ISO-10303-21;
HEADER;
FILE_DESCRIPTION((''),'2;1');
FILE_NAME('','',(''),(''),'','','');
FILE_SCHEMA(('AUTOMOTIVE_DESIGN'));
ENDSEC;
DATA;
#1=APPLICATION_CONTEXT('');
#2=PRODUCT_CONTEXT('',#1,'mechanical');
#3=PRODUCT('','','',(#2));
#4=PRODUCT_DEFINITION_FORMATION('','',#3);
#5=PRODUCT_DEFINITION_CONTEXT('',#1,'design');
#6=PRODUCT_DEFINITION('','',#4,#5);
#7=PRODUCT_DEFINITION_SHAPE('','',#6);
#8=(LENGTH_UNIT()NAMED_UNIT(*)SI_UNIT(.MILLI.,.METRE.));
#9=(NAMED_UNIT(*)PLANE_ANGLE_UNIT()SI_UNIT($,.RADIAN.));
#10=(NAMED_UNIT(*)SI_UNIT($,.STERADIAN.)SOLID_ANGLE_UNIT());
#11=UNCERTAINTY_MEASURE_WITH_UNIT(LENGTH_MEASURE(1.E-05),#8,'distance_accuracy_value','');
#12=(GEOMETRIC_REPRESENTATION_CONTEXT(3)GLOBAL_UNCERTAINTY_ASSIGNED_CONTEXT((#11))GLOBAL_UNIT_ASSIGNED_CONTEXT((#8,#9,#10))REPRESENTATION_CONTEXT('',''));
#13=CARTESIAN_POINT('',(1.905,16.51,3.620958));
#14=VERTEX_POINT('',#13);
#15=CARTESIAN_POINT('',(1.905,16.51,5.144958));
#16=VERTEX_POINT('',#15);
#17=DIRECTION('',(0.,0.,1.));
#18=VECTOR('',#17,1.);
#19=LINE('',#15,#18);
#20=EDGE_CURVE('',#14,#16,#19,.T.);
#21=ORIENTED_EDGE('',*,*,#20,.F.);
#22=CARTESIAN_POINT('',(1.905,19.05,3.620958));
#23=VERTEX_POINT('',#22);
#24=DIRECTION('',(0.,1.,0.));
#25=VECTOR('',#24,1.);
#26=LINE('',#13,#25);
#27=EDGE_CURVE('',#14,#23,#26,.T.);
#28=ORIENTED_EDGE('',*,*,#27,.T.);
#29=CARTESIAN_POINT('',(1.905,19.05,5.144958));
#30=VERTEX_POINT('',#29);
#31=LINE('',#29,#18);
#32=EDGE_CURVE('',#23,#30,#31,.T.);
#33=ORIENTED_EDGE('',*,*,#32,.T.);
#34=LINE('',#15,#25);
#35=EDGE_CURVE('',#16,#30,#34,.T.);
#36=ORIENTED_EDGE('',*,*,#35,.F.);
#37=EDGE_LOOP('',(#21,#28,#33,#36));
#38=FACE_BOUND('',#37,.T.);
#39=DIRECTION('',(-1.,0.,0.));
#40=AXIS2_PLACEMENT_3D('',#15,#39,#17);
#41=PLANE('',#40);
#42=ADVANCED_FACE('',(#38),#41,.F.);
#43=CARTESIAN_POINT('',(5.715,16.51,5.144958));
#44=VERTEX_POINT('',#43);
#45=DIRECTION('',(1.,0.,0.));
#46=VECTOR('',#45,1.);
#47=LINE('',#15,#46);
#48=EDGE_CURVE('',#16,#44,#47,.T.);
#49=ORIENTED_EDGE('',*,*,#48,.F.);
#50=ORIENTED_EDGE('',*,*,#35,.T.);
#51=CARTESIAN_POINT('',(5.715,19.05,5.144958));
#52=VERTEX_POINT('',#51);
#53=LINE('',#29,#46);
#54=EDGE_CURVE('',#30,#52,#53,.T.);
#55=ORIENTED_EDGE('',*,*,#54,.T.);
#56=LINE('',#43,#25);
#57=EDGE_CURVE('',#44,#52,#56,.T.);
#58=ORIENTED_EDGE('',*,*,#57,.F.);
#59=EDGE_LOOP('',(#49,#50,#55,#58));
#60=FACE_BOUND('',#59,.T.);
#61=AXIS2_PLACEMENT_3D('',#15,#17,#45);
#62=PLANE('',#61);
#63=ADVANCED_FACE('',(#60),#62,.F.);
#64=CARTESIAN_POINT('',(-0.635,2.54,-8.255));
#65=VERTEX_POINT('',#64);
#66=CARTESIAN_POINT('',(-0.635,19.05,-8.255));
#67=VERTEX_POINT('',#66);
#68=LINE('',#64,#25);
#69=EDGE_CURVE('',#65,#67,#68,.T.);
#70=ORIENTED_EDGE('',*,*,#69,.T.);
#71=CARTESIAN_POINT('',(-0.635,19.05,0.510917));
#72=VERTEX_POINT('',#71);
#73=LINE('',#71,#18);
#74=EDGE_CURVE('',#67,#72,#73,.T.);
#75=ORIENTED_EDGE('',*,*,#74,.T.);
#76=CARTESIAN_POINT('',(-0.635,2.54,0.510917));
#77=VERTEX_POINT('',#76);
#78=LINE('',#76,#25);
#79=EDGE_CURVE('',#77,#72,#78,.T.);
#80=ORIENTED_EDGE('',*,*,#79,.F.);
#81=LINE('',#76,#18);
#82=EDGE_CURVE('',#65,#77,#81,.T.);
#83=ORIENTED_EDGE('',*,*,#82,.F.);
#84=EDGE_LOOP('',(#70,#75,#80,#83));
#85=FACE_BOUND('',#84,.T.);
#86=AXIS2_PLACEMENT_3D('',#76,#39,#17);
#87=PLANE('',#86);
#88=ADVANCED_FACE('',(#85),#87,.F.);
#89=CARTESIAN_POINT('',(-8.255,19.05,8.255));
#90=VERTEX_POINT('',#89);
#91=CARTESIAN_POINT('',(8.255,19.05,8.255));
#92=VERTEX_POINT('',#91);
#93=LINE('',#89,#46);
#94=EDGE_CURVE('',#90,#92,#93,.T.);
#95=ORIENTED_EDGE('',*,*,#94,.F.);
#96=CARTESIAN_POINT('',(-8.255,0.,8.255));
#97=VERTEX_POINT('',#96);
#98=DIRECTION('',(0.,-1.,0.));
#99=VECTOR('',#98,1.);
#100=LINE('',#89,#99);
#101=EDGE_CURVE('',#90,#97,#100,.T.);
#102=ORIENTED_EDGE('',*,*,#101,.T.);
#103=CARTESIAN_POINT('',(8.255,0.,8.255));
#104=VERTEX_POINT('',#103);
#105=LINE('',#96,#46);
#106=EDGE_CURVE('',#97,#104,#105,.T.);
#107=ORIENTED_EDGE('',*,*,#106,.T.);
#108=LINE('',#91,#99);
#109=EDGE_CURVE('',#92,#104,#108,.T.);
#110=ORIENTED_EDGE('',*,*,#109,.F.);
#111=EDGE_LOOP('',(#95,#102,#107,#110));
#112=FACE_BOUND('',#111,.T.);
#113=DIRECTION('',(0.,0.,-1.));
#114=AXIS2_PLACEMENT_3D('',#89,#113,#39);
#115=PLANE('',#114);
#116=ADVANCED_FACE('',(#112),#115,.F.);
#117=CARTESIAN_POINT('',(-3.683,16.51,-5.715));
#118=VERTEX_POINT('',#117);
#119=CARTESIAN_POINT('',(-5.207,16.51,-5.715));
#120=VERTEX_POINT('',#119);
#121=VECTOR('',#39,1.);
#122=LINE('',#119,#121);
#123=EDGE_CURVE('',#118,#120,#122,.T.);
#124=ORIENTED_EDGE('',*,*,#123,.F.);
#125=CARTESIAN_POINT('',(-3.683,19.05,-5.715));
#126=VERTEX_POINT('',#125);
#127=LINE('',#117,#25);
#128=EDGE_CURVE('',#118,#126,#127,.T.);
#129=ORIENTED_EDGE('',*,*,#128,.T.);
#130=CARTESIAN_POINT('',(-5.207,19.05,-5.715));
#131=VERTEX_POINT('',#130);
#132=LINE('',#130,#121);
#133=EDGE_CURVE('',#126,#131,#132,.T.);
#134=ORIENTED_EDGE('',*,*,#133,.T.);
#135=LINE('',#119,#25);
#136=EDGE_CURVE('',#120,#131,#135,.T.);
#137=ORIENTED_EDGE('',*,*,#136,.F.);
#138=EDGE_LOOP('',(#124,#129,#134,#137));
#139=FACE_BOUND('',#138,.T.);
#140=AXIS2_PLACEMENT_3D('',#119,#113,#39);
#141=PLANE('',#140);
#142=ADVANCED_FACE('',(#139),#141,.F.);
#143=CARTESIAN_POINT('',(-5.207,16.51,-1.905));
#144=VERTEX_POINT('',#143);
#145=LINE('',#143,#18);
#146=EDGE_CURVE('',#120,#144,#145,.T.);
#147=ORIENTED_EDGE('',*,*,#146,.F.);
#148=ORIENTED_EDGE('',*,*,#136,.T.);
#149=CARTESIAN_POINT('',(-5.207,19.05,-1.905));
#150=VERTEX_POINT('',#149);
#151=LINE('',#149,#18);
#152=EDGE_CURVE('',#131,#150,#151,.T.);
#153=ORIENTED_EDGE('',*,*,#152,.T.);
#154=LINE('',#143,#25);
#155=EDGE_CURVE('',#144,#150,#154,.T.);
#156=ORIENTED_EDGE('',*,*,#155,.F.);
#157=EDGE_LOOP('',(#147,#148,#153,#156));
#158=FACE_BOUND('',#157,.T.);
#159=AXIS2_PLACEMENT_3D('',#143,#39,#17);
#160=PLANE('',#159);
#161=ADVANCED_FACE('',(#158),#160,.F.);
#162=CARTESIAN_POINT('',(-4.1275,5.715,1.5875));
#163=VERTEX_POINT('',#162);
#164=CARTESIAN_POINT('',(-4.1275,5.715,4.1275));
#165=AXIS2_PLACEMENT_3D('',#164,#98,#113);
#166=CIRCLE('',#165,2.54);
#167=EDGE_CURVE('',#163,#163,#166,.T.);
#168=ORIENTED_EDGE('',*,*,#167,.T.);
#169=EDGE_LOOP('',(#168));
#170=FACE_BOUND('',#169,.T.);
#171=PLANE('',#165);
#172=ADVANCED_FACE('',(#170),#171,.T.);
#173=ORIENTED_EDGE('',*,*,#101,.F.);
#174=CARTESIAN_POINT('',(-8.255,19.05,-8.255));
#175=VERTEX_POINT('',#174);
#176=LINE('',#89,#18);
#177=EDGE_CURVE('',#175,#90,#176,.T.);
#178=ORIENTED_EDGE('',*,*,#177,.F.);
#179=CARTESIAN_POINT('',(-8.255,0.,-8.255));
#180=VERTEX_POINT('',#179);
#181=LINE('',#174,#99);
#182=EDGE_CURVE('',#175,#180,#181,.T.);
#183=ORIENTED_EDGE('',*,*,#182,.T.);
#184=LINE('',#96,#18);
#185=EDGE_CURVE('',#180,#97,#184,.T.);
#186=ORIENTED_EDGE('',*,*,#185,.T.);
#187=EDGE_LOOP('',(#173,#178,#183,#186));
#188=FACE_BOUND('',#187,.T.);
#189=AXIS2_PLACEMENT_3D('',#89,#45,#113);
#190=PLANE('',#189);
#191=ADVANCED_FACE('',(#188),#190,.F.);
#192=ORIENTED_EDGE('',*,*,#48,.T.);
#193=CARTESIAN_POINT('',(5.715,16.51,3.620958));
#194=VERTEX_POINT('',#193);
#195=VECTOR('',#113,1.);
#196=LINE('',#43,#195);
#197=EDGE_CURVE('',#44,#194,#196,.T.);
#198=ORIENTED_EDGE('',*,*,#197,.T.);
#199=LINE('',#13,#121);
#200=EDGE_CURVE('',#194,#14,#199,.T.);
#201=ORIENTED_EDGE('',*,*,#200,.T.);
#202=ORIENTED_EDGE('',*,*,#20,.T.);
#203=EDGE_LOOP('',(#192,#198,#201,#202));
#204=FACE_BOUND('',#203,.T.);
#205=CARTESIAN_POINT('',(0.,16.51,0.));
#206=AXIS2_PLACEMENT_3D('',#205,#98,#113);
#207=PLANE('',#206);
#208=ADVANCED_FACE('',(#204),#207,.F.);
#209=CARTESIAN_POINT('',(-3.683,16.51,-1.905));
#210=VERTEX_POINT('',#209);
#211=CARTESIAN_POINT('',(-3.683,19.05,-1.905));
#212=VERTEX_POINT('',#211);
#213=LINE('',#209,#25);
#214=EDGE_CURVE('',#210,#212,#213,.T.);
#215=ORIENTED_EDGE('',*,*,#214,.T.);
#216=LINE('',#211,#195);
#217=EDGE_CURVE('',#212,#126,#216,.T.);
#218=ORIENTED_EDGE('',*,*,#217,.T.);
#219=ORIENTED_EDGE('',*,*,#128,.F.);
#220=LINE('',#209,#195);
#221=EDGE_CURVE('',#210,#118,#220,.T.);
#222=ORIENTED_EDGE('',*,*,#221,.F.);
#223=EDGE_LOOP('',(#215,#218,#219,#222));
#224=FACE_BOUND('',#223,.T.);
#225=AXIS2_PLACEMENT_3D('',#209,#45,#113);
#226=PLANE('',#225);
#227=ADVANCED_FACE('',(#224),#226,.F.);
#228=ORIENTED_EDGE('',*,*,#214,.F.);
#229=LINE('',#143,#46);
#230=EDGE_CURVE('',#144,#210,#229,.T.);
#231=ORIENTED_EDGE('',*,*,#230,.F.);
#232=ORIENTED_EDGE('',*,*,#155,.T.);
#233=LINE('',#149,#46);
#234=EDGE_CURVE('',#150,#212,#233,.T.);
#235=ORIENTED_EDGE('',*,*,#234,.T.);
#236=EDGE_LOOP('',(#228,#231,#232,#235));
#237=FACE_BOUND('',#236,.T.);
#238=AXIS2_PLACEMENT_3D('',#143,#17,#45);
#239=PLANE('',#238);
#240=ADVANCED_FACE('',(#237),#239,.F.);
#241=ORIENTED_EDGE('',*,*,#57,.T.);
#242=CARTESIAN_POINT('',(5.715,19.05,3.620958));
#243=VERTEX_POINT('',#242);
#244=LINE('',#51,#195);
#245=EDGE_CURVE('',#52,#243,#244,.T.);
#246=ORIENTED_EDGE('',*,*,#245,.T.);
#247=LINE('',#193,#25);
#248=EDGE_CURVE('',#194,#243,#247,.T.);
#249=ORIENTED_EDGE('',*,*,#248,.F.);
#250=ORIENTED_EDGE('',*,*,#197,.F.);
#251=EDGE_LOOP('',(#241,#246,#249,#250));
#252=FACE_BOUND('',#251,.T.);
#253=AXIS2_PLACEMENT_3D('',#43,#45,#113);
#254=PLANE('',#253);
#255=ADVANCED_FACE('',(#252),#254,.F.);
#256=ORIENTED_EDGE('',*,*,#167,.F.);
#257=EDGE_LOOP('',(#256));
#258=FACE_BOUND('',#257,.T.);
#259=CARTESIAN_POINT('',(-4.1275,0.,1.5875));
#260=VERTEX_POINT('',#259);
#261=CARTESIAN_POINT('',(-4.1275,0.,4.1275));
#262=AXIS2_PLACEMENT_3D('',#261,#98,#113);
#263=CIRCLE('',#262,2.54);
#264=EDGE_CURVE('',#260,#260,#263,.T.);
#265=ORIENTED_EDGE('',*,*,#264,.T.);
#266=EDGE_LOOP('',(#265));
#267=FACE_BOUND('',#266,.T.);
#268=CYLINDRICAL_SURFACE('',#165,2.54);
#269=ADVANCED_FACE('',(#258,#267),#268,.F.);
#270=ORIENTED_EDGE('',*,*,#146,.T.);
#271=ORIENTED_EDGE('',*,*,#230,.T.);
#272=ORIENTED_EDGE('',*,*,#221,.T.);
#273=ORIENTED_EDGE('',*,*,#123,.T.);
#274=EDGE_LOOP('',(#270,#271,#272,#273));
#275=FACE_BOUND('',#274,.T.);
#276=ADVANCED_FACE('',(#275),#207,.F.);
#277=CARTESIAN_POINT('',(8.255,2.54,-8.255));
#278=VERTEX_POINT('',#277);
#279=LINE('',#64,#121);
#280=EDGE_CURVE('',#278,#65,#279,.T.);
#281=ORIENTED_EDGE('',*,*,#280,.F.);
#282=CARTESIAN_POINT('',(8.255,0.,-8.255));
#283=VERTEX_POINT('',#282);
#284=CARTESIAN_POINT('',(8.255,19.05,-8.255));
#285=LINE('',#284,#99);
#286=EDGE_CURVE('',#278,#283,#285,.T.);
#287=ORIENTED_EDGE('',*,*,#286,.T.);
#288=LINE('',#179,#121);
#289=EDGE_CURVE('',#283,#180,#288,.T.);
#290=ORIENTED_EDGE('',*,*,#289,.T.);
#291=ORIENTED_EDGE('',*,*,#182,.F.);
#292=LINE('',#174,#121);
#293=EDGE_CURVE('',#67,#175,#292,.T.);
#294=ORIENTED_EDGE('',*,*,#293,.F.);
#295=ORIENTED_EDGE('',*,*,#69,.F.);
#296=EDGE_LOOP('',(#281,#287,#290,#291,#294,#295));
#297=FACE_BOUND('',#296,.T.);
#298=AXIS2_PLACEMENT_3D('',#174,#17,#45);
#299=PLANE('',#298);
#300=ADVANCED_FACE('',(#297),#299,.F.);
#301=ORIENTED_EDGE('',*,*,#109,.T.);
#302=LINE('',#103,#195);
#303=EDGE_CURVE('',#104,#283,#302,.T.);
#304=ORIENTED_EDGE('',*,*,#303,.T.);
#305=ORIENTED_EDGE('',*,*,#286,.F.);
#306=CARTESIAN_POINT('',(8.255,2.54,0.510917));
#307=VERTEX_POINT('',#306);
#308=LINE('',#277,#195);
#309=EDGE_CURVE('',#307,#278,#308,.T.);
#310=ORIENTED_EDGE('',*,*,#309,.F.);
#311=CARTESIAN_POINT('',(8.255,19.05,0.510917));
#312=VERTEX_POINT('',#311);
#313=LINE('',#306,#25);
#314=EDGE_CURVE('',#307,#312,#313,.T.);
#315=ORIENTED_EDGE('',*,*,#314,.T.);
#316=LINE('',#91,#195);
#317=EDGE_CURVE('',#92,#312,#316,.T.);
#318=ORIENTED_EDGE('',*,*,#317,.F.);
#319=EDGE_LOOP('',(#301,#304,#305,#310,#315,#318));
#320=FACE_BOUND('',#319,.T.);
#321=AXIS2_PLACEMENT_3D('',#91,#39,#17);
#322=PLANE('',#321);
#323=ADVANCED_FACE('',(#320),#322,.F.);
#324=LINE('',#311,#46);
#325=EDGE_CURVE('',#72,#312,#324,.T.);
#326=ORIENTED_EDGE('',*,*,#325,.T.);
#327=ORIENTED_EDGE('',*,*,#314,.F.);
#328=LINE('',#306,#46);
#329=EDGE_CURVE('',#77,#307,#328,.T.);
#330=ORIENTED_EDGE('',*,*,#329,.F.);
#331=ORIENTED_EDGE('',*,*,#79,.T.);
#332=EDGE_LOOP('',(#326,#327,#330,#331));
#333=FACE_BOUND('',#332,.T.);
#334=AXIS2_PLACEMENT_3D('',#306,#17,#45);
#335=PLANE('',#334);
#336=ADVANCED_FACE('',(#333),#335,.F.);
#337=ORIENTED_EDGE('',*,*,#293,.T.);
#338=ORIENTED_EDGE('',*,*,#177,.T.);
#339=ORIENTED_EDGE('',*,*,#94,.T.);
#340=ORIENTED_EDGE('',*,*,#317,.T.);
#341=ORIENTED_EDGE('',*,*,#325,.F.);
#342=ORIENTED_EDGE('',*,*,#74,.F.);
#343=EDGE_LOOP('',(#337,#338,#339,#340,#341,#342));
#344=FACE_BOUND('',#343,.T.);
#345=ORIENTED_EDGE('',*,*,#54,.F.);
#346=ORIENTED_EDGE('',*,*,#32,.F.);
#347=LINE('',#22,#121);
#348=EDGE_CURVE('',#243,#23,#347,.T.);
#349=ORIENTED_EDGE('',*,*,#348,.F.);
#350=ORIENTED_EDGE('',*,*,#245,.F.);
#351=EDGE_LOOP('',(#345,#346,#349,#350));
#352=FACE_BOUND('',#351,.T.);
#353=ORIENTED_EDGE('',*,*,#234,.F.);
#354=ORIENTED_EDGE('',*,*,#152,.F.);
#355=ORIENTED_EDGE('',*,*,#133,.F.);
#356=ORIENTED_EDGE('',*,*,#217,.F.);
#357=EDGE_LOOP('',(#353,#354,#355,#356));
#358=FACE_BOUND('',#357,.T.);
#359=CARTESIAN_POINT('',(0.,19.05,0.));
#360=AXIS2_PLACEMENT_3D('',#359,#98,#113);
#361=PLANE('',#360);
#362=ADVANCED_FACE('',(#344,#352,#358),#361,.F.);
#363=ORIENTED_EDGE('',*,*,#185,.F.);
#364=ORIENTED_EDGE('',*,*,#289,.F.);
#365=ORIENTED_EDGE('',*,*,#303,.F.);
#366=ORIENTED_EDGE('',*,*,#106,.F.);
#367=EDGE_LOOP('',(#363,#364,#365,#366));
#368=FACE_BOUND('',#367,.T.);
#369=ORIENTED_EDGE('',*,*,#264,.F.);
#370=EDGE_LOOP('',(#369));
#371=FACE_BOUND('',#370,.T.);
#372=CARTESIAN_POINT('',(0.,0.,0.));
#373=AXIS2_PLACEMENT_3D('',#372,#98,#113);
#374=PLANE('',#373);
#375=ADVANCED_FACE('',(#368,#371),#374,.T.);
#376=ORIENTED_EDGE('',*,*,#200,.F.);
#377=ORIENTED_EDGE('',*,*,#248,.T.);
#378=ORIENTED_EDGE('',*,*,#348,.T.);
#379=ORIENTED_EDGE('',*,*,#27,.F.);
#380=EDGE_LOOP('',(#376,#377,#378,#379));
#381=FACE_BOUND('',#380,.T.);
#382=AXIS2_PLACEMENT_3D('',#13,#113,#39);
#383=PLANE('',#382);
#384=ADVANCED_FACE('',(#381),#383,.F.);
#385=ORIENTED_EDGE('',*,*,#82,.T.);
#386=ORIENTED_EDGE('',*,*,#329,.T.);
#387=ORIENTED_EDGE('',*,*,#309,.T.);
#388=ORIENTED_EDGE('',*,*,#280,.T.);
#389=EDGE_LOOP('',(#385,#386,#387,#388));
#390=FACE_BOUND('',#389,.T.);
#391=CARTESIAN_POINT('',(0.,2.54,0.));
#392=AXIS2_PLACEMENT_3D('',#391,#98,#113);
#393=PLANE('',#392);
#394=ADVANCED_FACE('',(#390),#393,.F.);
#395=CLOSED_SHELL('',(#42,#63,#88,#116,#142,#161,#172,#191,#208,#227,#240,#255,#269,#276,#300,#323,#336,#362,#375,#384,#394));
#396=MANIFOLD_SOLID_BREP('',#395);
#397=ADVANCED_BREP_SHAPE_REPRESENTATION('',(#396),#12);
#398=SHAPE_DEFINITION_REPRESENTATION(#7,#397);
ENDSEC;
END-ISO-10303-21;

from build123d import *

# Parameters (mm, degrees)
SKETCH3_W           = 16.51
SKETCH3_H           = 16.51
BOSS_EXTRUDE2_DEPTH = 19.05
SKETCH5_R           = 2.54
CUT_EXTRUDE2_DEPTH  = 5.715
SKETCH6_W           = 8.89
SKETCH6_H           = 8.765916865
CUT_EXTRUDE3_DEPTH  = 16.51
SKETCH7_W           = 1.524
SKETCH7_H           = 3.81
SKETCH7_W_2         = 3.81
SKETCH7_H_2         = 1.524
CUT_EXTRUDE4_DEPTH  = 2.54


with BuildPart() as part:
    # Sketch3 → Boss-Extrude2 (new body)
    with BuildSketch(Plane(origin=(0, 0, 0), x_dir=(1, 0, 0), z_dir=(0, 1, 0))):
        Rectangle(SKETCH3_W, SKETCH3_H)
    extrude(amount=BOSS_EXTRUDE2_DEPTH)

    # Sketch5 → Cut-Extrude2 (cut)
    with BuildSketch(Plane.XZ):
        with Locations(Location((-4.1275, 4.1275, 0), (0, 0, 270))):
            Circle(SKETCH5_R)
    extrude(amount=-CUT_EXTRUDE2_DEPTH, mode=Mode.SUBTRACT)

    # Sketch6 → Cut-Extrude3 (cut)
    with BuildSketch(Plane(origin=(0, 19.05, 0), x_dir=(1, 0, 0), z_dir=(0, 1, 0))):
        with Locations((3.81, 3.872041568)):
            Rectangle(SKETCH6_W, SKETCH6_H)
    extrude(amount=-CUT_EXTRUDE3_DEPTH, mode=Mode.SUBTRACT)

    # Sketch7 → Cut-Extrude4 (cut)
    with BuildSketch(Plane(origin=(0, 19.05, 0), x_dir=(1, 0, 0), z_dir=(0, 1, 0))):
        with Locations((-4.445, 3.81)):
            Rectangle(SKETCH7_W, SKETCH7_H)
        with Locations((3.81, -4.382958433)):
            Rectangle(SKETCH7_W_2, SKETCH7_H_2)
    extrude(amount=-CUT_EXTRUDE4_DEPTH, mode=Mode.SUBTRACT)


solid = part.part
